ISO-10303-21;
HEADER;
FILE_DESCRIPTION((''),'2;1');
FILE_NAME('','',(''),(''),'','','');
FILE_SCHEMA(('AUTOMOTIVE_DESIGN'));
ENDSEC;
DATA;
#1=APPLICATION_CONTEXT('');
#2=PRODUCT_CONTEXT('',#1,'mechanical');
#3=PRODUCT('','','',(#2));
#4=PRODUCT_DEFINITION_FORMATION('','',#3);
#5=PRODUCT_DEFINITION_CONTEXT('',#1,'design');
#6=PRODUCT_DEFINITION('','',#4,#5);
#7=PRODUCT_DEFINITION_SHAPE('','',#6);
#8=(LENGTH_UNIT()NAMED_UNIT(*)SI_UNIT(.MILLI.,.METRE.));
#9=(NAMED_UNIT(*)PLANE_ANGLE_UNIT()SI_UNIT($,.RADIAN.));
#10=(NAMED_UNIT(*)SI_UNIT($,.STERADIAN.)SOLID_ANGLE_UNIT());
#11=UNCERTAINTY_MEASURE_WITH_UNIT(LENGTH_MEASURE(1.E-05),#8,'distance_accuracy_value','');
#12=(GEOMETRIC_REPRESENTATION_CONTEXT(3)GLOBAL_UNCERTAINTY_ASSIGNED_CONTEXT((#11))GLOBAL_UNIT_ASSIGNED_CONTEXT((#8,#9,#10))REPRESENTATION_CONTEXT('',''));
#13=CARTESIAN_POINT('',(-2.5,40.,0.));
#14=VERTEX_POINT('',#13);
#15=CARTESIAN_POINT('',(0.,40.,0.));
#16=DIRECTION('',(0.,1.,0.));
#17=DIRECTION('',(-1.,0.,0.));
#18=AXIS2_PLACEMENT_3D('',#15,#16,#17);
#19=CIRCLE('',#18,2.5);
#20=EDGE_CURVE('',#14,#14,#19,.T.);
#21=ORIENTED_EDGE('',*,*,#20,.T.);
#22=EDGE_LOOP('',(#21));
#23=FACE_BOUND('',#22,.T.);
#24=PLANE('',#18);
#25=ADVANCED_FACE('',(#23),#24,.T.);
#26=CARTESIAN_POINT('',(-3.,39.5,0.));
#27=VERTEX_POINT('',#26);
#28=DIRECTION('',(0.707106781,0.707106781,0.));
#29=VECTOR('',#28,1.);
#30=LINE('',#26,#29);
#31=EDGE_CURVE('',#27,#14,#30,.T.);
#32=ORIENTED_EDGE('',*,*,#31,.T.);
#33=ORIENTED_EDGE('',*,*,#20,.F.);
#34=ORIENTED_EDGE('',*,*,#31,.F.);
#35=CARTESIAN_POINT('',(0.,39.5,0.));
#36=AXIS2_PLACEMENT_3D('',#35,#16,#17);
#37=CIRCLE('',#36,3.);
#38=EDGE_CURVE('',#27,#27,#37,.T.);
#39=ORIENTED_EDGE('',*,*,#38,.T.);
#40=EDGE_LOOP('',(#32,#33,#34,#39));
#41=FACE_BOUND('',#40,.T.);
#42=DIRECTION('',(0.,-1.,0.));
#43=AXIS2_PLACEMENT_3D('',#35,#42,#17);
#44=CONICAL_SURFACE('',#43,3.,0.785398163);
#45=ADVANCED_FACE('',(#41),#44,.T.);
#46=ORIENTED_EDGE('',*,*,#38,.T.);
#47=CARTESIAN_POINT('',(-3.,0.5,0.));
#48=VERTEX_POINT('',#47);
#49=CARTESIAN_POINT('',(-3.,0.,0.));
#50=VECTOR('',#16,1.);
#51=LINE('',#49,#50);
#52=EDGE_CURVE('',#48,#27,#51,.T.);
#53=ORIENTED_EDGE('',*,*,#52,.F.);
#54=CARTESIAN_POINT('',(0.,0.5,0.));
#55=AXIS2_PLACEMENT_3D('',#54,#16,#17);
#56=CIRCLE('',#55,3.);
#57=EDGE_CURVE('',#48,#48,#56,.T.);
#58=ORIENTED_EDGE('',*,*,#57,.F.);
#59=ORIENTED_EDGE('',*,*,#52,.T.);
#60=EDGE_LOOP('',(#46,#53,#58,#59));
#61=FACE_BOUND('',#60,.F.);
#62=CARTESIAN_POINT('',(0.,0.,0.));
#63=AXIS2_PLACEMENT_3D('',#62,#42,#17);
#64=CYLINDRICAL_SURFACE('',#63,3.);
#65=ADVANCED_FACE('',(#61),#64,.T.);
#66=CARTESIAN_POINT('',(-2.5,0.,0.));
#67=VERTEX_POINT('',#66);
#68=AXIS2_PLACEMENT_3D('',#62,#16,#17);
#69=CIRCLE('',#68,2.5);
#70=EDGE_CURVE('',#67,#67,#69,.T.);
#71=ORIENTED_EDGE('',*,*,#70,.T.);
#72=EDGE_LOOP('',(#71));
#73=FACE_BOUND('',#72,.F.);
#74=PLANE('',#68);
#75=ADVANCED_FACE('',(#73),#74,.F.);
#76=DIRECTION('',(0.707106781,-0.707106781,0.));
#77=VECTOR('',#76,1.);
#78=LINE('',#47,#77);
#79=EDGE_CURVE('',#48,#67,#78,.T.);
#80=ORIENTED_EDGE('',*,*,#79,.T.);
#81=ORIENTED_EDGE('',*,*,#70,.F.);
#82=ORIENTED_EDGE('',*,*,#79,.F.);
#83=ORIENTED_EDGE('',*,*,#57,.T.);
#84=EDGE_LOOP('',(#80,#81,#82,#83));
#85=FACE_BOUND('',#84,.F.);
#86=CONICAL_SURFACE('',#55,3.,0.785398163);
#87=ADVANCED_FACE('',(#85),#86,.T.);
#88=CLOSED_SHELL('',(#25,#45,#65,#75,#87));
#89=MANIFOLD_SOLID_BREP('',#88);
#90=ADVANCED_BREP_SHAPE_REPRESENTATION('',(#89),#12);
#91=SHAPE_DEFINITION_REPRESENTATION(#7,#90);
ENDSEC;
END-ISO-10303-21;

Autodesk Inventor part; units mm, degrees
ref_plane "YZ Plane" through (0, 0, 0) normal (1, 0, 0) x (0, 1, 0)
ref_plane "XZ Plane" through (0, 0, 0) normal (0, 1, 0) x (-1, 0, 0)
ref_plane "XY Plane" through (0, 0, 0) normal (0, 0, 1) x (1, 0, 0)
sketch "Sketch1" plane through (0, 0, 0) normal (0, 1, 0) x (-1, 0, 0)
  circle A0 centre (0, 0) radius 3
  dimension "d0" = 6
extrude "Extrusion1" add sketch "Sketch1" along normal blind 40
chamfer "Chamfer1" distance 0.5 angle 45 2 edges at (3, 40, 0) (3, 0, 0)
properties part number "pin_6_40"
